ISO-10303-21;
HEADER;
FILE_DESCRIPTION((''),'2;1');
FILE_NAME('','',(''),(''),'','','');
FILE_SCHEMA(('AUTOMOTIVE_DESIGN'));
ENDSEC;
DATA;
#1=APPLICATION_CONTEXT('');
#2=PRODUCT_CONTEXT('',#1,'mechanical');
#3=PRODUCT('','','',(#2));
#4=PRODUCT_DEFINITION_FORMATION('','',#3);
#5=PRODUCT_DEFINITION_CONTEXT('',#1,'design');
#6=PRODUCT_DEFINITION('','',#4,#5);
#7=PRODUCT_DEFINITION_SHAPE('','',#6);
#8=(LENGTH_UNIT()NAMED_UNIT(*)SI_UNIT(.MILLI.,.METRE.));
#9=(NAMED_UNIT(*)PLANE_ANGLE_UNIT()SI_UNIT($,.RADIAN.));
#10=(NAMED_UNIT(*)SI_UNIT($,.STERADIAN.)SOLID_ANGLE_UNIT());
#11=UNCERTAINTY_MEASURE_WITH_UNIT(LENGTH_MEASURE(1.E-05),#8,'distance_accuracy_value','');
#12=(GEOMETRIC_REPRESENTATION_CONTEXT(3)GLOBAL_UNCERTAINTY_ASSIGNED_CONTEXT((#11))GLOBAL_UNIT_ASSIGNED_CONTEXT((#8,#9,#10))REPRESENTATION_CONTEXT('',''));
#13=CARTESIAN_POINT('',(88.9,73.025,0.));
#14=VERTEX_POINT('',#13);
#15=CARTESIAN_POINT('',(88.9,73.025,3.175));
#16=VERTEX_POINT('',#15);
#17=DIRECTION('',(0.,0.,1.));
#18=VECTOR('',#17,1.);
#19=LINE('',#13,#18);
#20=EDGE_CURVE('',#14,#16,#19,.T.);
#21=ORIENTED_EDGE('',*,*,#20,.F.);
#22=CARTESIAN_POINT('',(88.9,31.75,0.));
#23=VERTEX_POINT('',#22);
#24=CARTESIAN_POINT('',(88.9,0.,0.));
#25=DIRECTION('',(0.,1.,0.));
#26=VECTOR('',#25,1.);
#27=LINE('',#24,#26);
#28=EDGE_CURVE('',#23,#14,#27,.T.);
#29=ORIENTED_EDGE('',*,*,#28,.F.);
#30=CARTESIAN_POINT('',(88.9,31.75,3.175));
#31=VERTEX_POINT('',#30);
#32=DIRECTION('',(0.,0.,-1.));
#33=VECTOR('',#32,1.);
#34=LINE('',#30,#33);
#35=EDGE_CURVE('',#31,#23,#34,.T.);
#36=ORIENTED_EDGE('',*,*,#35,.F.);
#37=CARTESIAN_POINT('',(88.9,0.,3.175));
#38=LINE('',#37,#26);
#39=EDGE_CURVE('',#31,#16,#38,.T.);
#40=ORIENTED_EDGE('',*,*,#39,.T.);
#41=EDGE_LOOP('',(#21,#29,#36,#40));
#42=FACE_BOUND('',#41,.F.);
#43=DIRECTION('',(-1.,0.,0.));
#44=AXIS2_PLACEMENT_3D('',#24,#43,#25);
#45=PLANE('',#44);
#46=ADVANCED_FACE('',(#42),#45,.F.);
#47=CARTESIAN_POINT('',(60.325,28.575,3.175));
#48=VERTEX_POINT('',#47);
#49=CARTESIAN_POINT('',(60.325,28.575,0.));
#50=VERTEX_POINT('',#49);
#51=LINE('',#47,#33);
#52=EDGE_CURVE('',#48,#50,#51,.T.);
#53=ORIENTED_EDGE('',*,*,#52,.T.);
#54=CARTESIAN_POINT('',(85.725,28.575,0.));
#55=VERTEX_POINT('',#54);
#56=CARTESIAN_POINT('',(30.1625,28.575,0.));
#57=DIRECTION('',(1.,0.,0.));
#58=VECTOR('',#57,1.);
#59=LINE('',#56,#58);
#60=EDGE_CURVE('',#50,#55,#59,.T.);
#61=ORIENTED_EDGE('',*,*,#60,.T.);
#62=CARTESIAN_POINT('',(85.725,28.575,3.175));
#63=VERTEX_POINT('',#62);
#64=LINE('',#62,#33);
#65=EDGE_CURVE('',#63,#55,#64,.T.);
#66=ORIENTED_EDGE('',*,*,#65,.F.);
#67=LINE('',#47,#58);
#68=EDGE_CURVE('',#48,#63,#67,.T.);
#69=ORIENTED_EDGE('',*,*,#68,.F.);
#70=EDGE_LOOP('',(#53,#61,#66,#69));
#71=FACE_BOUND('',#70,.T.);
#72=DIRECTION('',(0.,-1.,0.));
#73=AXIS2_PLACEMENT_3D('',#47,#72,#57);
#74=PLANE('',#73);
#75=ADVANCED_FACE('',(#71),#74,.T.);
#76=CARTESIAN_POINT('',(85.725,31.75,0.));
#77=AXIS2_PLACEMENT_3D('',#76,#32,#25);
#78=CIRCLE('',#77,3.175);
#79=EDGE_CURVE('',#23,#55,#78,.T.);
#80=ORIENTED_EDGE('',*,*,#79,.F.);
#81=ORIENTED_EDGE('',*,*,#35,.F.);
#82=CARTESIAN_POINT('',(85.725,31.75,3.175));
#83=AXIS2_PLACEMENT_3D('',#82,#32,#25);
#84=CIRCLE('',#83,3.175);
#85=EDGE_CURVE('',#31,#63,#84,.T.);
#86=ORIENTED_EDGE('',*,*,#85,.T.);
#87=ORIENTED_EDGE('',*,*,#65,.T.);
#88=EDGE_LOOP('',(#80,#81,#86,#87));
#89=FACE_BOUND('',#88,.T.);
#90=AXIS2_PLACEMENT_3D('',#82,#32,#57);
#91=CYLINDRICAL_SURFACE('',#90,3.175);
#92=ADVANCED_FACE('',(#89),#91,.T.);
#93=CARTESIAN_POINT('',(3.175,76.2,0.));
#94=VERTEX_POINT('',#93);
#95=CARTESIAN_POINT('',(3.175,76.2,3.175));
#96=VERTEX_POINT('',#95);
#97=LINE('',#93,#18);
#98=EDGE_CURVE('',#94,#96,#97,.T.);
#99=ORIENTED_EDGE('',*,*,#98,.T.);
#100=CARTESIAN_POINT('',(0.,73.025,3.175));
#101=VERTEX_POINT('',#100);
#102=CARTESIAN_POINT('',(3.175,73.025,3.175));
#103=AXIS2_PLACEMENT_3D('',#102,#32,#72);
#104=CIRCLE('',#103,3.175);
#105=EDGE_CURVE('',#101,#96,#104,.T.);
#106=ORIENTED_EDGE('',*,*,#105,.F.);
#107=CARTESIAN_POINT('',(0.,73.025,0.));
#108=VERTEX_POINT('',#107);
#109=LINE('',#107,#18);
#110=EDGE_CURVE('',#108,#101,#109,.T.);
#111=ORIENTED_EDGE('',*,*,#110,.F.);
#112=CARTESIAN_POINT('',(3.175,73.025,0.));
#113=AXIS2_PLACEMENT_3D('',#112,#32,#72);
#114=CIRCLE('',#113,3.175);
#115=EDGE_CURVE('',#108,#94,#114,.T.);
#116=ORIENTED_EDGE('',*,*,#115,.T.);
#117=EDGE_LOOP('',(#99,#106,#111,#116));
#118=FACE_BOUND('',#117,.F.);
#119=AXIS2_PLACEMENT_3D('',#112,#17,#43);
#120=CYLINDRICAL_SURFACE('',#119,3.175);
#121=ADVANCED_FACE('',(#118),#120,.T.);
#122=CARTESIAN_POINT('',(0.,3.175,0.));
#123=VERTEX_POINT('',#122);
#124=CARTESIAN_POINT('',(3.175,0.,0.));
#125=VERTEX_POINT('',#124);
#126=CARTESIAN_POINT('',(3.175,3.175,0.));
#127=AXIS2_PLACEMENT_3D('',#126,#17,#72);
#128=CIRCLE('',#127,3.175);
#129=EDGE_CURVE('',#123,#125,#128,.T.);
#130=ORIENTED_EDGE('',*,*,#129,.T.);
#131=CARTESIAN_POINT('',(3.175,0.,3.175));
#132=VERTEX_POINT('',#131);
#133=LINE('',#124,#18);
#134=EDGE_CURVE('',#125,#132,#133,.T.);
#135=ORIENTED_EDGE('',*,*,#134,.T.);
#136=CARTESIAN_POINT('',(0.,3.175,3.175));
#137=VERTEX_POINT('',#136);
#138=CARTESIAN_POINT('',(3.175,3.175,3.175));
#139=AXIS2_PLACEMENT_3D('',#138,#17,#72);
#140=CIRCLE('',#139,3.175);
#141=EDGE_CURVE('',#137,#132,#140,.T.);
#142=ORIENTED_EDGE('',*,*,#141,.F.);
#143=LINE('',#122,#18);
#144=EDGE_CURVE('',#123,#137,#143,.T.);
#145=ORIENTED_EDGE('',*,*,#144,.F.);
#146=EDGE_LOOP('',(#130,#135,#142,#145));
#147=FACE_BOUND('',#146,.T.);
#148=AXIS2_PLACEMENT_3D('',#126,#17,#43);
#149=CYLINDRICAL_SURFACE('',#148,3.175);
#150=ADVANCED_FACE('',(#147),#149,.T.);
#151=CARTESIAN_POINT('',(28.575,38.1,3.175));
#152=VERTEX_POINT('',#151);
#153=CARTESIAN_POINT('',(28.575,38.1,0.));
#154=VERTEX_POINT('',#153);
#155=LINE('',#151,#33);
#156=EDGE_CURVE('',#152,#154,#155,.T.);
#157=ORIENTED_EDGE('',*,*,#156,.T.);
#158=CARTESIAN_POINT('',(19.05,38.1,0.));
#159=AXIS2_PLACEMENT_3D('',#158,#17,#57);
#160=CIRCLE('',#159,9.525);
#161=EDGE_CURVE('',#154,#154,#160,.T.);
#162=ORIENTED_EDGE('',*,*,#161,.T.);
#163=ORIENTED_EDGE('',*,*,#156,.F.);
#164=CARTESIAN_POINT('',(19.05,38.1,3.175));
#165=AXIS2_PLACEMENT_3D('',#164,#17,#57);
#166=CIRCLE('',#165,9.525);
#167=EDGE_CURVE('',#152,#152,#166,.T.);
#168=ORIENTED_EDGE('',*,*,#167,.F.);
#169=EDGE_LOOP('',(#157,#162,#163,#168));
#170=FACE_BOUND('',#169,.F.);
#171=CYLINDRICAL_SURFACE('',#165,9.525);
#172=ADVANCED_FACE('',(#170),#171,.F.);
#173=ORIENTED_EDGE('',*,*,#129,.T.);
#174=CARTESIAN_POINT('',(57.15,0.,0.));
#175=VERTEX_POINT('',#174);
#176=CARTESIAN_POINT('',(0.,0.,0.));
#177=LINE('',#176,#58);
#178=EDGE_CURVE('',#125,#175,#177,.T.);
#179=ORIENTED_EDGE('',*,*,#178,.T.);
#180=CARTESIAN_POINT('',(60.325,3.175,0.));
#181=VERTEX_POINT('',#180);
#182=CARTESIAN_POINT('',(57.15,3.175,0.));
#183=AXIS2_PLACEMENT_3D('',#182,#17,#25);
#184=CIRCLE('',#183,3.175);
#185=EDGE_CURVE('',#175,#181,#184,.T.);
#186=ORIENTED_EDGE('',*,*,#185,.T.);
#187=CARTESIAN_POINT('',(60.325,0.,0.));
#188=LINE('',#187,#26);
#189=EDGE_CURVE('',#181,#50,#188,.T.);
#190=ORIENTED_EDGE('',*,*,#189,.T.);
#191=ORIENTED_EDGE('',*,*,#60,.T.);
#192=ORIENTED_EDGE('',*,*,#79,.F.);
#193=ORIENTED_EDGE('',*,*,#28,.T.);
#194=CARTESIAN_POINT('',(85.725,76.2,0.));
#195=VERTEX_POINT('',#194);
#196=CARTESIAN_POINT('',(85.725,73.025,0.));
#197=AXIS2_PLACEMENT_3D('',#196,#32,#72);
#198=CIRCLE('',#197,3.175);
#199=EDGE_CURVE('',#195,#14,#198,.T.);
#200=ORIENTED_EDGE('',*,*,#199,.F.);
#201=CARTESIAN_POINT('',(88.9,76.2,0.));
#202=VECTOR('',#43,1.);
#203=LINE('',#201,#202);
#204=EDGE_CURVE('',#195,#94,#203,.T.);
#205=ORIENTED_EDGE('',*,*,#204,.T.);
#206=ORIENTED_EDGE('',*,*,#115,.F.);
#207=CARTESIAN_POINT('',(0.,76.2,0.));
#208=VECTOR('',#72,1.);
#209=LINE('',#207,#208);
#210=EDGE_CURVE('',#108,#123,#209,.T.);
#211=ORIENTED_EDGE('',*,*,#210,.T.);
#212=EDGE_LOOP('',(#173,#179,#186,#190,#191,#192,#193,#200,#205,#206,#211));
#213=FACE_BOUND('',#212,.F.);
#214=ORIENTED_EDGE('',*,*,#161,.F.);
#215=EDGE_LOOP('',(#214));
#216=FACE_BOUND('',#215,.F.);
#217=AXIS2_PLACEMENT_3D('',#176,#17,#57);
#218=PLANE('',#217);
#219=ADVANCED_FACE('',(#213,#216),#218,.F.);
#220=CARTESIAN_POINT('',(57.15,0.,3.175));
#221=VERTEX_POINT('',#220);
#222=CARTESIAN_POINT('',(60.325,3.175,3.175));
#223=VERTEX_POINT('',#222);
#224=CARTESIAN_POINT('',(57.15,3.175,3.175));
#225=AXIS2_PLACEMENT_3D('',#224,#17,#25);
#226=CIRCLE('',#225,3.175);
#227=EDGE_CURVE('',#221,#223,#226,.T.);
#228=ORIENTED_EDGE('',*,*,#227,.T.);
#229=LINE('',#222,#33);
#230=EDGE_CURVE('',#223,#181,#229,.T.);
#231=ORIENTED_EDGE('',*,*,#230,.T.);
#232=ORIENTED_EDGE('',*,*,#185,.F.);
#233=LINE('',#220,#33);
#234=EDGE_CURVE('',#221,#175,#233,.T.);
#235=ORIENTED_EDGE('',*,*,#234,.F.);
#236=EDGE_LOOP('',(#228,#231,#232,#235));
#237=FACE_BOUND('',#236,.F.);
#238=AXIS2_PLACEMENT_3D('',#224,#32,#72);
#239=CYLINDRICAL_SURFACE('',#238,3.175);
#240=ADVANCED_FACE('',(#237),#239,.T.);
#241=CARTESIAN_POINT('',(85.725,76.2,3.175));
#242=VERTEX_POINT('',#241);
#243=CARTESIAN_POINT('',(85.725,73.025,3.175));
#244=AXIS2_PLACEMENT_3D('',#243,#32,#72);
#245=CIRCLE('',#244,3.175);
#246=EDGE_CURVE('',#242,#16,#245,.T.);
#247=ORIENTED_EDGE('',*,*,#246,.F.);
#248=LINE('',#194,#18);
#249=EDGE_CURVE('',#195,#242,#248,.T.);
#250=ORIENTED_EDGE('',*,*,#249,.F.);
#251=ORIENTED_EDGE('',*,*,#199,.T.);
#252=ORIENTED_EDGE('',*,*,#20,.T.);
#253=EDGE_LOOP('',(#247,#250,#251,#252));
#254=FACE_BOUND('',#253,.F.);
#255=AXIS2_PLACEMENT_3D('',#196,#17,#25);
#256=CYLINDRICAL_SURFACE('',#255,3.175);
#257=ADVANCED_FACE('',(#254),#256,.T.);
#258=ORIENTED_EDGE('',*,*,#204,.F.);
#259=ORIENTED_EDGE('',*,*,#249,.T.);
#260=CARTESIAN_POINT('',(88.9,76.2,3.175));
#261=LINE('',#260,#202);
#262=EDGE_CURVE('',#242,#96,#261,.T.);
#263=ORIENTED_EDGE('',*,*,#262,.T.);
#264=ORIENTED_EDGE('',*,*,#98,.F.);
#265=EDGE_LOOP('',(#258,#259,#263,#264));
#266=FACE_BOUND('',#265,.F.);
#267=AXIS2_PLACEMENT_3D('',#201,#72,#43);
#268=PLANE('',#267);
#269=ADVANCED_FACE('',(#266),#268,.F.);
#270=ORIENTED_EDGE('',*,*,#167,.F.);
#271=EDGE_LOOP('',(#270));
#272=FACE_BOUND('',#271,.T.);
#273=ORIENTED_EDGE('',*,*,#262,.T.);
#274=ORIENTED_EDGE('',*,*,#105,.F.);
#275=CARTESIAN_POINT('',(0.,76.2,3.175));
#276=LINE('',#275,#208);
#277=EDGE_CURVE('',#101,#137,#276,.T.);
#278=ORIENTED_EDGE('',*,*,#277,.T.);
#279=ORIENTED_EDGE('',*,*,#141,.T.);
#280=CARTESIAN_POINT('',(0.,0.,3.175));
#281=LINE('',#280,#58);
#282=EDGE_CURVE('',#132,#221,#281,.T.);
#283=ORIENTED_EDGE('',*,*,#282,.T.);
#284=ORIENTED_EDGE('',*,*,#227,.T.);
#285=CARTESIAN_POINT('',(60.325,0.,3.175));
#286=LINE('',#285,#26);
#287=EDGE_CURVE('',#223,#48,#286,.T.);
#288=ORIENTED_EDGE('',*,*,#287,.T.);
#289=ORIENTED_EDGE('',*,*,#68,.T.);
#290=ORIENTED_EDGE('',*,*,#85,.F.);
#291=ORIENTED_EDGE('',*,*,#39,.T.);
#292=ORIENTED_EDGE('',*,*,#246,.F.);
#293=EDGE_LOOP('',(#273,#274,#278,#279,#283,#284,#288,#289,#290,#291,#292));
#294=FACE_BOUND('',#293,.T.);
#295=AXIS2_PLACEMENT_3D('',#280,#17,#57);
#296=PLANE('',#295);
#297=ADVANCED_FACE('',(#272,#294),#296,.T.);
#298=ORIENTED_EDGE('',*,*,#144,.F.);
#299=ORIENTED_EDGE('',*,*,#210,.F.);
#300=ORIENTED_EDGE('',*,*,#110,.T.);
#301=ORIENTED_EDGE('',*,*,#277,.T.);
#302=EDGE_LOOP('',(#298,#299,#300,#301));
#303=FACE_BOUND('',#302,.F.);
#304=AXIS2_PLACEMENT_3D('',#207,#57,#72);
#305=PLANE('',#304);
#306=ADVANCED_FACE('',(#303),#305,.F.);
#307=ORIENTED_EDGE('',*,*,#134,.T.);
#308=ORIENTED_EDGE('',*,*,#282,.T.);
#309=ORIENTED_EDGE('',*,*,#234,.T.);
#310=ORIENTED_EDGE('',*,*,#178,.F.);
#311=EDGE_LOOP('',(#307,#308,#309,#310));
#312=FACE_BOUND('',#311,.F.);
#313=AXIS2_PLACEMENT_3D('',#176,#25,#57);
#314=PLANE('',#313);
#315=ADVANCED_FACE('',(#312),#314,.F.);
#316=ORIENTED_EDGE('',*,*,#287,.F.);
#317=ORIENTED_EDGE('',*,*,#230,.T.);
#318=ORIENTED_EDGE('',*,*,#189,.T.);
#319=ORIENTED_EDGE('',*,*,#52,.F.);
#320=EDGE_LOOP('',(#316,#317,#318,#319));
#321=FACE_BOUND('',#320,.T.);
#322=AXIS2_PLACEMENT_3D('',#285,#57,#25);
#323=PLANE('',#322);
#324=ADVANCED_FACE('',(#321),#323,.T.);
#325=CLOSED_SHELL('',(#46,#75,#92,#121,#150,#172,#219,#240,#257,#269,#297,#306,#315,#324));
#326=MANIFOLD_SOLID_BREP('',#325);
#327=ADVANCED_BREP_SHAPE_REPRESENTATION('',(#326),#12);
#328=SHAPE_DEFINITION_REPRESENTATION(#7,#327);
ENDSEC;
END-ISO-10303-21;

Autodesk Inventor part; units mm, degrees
ref_plane "YZ Plane" through (0, 0, 0) normal (1, 0, 0) x (0, 1, 0)
ref_plane "XZ Plane" through (0, 0, 0) normal (0, 1, 0) x (-1, 0, 0)
ref_plane "XY Plane" through (0, 0, 0) normal (0, 0, 1) x (1, 0, 0)
sketch "Sketch1" plane through (0, 0, 0) normal (0, 0, 1) x (1, 0, 0)
  line L0 (0, 0) -> (88.9, 0)
  line L1 (88.9, 0) -> (88.9, 76.2)
  line L2 (88.9, 76.2) -> (0, 76.2)
  line L3 (0, 76.2) -> (0, 0)
  dimension "d9" = 88.9
  dimension "d10" = 76.2
extrude "Extrusion1" add sketch "Sketch1" along normal blind 3.175
sketch "Sketch3" plane through (0, 0, 3.175) normal (0, 0, 1) x (1, 0, 0)
  line L0 (88.9, 0) -> (60.325, 0)
  line L1 (60.325, 0) -> (60.325, 28.575)
  line L2 (60.325, 28.575) -> (88.9, 28.575)
  line L3 (88.9, 28.575) -> (88.9, 0)
  dimension "d12" = 28.575
extrude "Extrusion3" cut sketch "Sketch3" against normal through all
sketch "Sketch4" plane through (0, 0, 3.175) normal (0, 0, 1) x (1, 0, 0)
  line L0 (0, 0) -> (0, 76.2) projected
  line L1 (60.325, 0) -> (0, 0) projected
  circle A0 centre (19.05, 38.1) radius 9.525
  dimension "d15" = 19.05
  dimension "d16" = 38.1
  dimension "d17" = 19.05
extrude "Extrusion4" cut sketch "Sketch4" against normal through all
fillet "Fillet1" radius 3.175 5 edges at (0, 76.2, 1.5875) (0, 0, 1.5875) (60.325, 0, 1.5875) (88.9, 28.575, 1.5875) (88.9, 76.2, 1.5875)
properties part number "Plate_VerticalRollerMount_Top" material "Aluminum-6061"
